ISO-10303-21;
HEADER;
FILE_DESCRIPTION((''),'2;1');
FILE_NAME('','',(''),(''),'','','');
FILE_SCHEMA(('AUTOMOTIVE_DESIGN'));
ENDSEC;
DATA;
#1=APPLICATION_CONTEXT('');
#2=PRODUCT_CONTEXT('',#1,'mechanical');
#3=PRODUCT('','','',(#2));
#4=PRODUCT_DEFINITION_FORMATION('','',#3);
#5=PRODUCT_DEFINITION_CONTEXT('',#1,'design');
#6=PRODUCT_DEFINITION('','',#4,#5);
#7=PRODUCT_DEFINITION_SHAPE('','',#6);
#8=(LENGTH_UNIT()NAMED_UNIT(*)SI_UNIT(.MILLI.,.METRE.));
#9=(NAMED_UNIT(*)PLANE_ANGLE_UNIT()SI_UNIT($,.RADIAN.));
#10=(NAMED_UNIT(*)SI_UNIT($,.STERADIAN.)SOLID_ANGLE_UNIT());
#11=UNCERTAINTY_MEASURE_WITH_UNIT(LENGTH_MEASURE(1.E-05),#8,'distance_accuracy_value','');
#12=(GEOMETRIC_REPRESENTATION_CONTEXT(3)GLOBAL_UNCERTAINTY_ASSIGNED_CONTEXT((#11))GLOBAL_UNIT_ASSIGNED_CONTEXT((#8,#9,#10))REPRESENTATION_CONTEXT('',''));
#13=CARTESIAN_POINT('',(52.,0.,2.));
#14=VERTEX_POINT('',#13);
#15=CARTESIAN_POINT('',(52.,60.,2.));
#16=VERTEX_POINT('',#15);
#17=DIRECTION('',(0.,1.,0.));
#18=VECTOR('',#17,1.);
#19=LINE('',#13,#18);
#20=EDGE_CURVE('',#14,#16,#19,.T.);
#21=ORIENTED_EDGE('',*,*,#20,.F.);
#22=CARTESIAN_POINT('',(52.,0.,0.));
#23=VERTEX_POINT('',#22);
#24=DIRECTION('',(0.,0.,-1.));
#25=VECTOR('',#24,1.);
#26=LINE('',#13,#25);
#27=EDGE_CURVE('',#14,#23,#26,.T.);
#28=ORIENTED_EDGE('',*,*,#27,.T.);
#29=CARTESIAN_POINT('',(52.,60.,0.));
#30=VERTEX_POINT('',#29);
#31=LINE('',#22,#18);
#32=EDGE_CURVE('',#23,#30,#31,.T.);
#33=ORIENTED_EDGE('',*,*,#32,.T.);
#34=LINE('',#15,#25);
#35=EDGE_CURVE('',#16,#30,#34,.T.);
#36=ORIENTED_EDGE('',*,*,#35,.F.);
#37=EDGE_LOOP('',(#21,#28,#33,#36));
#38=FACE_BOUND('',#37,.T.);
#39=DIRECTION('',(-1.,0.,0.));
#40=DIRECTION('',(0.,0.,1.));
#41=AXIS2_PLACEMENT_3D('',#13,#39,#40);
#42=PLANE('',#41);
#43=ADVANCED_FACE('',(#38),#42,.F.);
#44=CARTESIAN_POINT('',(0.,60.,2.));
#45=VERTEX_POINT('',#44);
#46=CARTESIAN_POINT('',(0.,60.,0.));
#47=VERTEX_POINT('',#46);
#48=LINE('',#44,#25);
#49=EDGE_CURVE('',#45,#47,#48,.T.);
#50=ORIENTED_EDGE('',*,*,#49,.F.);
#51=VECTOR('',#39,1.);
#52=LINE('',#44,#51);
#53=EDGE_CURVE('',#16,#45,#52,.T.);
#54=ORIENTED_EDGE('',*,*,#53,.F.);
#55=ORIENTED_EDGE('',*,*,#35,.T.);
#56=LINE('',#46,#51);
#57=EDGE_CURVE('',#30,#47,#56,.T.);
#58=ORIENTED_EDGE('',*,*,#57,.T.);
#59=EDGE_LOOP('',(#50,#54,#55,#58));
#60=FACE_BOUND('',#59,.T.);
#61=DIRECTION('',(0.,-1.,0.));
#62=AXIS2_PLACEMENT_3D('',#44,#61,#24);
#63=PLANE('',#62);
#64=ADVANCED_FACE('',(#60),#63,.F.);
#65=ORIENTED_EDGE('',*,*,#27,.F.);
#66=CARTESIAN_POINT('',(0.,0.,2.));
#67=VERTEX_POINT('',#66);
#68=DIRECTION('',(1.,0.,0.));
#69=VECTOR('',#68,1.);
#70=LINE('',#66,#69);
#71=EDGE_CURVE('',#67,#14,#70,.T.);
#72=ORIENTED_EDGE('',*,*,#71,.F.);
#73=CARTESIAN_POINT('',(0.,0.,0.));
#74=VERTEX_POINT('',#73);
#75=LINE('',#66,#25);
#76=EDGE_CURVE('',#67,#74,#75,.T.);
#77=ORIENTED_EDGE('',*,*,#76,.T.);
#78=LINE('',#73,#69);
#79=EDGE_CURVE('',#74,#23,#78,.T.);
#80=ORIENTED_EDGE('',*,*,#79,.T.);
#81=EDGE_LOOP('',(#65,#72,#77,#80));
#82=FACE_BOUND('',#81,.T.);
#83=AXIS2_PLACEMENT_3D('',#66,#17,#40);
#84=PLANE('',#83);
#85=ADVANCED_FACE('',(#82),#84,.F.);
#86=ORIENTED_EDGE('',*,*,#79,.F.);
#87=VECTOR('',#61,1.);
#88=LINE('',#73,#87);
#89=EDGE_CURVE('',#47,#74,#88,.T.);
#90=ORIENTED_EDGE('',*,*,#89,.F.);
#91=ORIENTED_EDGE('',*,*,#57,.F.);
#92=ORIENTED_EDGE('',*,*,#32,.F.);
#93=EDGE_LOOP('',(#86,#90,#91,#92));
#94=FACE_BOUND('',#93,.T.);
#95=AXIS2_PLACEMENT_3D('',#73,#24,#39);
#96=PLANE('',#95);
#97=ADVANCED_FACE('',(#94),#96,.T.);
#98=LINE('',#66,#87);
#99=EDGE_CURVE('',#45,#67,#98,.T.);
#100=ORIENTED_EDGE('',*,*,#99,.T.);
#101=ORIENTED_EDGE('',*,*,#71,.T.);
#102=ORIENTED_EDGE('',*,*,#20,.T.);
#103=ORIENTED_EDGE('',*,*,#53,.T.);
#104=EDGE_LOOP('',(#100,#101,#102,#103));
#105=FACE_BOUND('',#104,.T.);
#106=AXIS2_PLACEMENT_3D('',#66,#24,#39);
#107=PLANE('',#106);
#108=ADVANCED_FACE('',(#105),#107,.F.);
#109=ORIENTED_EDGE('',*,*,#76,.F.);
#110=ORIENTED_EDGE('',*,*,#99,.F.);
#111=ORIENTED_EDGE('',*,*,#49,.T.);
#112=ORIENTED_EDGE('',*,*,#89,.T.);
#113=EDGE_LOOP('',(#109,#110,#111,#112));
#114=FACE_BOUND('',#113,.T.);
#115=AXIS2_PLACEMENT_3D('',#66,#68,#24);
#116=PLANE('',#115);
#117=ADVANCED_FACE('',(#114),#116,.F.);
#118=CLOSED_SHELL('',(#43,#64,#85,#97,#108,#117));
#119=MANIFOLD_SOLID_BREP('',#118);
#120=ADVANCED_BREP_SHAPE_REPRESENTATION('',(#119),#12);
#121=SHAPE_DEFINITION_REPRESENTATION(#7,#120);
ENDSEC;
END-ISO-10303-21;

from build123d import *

# Parameters (mm, degrees)
ESBO_O1_W                = 52
ESBO_O1_H                = 60
RESSALTO_EXTRUS_O1_DEPTH = 2


with BuildPart() as part:
    # Esboço1 → Ressalto-extrusão1 (new body)
    with BuildSketch(Plane.XY):
        with Locations((26, 30)):
            Rectangle(ESBO_O1_W, ESBO_O1_H)
    extrude(amount=RESSALTO_EXTRUS_O1_DEPTH)


solid = part.part
